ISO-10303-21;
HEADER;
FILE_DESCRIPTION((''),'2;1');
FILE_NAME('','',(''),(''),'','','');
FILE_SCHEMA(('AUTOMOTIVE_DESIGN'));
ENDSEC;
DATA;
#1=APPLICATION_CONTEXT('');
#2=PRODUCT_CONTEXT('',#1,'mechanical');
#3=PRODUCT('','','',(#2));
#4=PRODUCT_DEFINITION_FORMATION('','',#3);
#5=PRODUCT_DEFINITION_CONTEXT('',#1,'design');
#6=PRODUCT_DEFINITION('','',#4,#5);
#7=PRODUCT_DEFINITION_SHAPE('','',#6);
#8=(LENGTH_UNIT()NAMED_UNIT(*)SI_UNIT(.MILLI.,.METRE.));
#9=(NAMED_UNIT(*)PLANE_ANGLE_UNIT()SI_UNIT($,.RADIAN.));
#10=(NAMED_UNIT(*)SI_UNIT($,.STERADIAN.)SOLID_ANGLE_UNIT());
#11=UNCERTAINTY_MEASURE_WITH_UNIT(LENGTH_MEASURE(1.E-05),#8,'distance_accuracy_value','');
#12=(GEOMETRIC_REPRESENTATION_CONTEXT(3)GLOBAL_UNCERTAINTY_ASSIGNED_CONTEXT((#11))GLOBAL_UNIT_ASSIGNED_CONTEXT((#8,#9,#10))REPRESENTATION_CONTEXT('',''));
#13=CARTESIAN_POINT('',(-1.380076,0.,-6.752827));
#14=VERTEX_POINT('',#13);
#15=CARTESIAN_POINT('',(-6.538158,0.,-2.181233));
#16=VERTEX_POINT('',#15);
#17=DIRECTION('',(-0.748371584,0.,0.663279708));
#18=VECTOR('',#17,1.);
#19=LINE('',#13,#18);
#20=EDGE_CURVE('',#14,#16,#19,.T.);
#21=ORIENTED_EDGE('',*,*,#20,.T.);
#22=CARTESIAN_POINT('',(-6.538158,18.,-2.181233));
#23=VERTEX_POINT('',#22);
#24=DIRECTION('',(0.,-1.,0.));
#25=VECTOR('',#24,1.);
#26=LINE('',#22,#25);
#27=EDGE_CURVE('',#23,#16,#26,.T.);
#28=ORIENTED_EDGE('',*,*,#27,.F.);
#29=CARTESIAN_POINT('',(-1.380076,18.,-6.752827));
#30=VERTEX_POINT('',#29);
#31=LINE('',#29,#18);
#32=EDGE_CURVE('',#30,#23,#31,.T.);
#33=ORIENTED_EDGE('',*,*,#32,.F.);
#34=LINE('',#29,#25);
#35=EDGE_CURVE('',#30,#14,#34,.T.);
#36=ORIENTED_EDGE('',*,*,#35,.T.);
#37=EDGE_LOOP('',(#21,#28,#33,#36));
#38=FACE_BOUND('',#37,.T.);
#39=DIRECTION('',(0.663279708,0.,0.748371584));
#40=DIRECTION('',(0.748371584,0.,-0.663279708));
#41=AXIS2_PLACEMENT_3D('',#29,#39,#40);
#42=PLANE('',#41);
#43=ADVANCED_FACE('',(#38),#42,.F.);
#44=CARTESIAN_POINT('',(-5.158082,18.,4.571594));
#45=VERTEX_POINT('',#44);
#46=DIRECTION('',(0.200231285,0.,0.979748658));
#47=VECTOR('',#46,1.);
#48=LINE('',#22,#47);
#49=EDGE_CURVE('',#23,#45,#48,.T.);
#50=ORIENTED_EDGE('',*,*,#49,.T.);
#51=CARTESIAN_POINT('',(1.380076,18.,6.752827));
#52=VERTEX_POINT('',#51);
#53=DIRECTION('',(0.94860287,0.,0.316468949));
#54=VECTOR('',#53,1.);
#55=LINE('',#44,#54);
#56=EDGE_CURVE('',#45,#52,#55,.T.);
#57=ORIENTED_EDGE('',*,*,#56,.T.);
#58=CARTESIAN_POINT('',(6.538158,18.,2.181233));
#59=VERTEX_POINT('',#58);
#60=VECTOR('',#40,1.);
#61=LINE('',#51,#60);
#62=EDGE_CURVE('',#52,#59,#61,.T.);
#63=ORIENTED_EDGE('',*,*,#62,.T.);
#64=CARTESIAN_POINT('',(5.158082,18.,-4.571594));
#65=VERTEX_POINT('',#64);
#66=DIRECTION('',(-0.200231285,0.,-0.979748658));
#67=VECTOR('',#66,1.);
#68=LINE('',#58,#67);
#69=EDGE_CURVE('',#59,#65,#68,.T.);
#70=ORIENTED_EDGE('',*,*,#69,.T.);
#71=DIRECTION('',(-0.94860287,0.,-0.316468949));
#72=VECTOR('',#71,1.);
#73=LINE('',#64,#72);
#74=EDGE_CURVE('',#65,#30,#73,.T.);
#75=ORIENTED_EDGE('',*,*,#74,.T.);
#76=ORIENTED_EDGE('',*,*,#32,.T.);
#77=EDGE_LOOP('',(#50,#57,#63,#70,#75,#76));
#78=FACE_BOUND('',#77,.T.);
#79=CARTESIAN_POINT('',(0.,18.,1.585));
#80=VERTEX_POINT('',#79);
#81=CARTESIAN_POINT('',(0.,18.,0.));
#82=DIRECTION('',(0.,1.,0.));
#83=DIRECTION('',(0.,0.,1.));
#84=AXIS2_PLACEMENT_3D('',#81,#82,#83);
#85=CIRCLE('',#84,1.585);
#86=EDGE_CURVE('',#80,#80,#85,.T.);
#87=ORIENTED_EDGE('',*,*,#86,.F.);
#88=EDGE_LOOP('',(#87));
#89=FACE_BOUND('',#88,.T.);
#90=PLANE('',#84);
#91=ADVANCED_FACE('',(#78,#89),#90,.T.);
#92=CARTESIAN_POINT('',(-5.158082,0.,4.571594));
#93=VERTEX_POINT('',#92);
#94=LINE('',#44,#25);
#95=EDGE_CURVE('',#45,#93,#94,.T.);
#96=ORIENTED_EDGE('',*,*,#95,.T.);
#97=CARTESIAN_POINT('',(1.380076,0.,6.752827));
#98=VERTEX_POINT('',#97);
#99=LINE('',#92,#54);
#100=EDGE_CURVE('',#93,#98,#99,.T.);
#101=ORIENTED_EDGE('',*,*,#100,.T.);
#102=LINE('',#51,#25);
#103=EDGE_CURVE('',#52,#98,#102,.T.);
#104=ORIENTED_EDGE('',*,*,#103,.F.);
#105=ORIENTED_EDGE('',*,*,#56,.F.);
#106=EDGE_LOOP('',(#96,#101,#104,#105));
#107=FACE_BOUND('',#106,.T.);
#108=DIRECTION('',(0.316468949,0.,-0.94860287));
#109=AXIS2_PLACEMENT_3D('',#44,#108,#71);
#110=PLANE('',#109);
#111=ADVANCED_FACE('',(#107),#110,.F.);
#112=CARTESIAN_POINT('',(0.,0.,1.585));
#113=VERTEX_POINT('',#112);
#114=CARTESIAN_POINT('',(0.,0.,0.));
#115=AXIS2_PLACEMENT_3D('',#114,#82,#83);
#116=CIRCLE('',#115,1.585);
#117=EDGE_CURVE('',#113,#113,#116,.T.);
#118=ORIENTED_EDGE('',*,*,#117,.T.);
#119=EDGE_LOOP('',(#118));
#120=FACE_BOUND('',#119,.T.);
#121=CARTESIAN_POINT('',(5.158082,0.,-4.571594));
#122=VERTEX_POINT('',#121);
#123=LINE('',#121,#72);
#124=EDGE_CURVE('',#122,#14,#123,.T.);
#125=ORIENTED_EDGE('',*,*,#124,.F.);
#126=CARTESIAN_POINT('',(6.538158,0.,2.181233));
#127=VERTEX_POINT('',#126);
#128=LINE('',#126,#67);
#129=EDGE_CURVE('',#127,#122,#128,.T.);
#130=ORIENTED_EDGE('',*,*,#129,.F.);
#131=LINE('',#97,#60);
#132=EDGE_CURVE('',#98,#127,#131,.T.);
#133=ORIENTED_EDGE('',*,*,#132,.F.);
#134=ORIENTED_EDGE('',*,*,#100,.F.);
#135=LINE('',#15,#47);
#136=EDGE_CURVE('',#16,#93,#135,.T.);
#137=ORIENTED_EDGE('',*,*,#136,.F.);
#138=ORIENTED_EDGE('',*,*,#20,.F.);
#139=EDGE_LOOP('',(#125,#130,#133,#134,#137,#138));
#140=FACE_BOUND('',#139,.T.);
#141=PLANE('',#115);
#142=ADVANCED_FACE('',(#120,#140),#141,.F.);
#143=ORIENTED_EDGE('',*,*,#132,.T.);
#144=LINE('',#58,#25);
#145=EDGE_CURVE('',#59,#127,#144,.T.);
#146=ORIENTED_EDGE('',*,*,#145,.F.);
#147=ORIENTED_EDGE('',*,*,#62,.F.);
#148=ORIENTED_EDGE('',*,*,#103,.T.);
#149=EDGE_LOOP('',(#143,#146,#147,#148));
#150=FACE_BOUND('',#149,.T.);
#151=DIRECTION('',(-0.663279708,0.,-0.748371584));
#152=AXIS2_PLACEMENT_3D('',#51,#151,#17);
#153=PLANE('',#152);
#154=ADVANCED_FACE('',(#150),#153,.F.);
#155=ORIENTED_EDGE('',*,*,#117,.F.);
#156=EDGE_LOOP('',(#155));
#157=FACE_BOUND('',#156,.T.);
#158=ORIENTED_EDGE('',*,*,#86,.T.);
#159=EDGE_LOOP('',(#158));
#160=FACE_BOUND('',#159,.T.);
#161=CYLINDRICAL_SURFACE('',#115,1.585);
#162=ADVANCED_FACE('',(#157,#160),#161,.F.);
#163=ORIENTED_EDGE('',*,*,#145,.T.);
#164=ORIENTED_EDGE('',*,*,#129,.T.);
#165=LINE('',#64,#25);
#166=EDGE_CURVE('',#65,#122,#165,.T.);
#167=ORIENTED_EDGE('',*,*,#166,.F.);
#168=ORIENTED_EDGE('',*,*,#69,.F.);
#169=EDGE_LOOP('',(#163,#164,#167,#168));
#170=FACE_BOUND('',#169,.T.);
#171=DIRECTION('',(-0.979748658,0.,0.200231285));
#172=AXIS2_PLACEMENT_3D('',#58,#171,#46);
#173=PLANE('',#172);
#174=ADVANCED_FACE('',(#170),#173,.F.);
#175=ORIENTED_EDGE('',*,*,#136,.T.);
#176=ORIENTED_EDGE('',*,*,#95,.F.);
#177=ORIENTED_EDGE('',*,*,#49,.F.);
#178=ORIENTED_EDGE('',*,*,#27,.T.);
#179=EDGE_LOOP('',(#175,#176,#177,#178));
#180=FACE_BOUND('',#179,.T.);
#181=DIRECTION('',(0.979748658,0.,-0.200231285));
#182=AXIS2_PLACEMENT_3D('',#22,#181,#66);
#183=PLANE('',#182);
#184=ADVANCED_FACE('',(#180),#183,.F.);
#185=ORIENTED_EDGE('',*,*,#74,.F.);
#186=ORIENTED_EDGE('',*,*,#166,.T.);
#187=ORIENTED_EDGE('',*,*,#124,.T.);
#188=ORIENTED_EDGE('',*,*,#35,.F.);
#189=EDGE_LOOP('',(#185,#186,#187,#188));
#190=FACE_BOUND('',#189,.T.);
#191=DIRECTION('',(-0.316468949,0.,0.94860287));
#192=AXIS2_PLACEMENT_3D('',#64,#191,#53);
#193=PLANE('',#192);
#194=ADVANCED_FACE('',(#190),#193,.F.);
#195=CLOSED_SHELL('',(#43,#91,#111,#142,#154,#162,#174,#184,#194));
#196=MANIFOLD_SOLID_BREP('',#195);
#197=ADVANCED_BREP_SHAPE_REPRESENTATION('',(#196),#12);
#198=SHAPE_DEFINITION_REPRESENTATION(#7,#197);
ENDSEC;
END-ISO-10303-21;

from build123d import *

# Parameters (mm, degrees)
BOSS_EXTRUDE1_DEPTH = 18.000000068
SKETCH2_R           = 1.585000005
CUT_EXTRUDE1_DEPTH  = 21.306358097


with BuildPart() as part:
    # Sketch1 → Boss-Extrude1 (new body)
    with BuildSketch(Plane(origin=(0, 0, 0), x_dir=(1, 0, 0), z_dir=(0, 1, 0))):
        Polygon((5.158081931, 4.571594046), (-1.380075614, 6.75282701), (-6.538157546, 2.181232964), (-5.158081931, -4.571594046), (1.380075614, -6.75282701), (6.538157546, -2.181232964), align=None)
    extrude(amount=BOSS_EXTRUDE1_DEPTH)

    # Sketch2 → Cut-Extrude1 (cut, through all)
    with BuildSketch(Plane(origin=(0, 18.000000068, 0), x_dir=(1, 0, 0), z_dir=(0, 1, 0))):
        with Locations(Location((0, 0, 0), (0, 0, 270))):
            Circle(SKETCH2_R)
    extrude(amount=-CUT_EXTRUDE1_DEPTH, mode=Mode.SUBTRACT)


solid = part.part
